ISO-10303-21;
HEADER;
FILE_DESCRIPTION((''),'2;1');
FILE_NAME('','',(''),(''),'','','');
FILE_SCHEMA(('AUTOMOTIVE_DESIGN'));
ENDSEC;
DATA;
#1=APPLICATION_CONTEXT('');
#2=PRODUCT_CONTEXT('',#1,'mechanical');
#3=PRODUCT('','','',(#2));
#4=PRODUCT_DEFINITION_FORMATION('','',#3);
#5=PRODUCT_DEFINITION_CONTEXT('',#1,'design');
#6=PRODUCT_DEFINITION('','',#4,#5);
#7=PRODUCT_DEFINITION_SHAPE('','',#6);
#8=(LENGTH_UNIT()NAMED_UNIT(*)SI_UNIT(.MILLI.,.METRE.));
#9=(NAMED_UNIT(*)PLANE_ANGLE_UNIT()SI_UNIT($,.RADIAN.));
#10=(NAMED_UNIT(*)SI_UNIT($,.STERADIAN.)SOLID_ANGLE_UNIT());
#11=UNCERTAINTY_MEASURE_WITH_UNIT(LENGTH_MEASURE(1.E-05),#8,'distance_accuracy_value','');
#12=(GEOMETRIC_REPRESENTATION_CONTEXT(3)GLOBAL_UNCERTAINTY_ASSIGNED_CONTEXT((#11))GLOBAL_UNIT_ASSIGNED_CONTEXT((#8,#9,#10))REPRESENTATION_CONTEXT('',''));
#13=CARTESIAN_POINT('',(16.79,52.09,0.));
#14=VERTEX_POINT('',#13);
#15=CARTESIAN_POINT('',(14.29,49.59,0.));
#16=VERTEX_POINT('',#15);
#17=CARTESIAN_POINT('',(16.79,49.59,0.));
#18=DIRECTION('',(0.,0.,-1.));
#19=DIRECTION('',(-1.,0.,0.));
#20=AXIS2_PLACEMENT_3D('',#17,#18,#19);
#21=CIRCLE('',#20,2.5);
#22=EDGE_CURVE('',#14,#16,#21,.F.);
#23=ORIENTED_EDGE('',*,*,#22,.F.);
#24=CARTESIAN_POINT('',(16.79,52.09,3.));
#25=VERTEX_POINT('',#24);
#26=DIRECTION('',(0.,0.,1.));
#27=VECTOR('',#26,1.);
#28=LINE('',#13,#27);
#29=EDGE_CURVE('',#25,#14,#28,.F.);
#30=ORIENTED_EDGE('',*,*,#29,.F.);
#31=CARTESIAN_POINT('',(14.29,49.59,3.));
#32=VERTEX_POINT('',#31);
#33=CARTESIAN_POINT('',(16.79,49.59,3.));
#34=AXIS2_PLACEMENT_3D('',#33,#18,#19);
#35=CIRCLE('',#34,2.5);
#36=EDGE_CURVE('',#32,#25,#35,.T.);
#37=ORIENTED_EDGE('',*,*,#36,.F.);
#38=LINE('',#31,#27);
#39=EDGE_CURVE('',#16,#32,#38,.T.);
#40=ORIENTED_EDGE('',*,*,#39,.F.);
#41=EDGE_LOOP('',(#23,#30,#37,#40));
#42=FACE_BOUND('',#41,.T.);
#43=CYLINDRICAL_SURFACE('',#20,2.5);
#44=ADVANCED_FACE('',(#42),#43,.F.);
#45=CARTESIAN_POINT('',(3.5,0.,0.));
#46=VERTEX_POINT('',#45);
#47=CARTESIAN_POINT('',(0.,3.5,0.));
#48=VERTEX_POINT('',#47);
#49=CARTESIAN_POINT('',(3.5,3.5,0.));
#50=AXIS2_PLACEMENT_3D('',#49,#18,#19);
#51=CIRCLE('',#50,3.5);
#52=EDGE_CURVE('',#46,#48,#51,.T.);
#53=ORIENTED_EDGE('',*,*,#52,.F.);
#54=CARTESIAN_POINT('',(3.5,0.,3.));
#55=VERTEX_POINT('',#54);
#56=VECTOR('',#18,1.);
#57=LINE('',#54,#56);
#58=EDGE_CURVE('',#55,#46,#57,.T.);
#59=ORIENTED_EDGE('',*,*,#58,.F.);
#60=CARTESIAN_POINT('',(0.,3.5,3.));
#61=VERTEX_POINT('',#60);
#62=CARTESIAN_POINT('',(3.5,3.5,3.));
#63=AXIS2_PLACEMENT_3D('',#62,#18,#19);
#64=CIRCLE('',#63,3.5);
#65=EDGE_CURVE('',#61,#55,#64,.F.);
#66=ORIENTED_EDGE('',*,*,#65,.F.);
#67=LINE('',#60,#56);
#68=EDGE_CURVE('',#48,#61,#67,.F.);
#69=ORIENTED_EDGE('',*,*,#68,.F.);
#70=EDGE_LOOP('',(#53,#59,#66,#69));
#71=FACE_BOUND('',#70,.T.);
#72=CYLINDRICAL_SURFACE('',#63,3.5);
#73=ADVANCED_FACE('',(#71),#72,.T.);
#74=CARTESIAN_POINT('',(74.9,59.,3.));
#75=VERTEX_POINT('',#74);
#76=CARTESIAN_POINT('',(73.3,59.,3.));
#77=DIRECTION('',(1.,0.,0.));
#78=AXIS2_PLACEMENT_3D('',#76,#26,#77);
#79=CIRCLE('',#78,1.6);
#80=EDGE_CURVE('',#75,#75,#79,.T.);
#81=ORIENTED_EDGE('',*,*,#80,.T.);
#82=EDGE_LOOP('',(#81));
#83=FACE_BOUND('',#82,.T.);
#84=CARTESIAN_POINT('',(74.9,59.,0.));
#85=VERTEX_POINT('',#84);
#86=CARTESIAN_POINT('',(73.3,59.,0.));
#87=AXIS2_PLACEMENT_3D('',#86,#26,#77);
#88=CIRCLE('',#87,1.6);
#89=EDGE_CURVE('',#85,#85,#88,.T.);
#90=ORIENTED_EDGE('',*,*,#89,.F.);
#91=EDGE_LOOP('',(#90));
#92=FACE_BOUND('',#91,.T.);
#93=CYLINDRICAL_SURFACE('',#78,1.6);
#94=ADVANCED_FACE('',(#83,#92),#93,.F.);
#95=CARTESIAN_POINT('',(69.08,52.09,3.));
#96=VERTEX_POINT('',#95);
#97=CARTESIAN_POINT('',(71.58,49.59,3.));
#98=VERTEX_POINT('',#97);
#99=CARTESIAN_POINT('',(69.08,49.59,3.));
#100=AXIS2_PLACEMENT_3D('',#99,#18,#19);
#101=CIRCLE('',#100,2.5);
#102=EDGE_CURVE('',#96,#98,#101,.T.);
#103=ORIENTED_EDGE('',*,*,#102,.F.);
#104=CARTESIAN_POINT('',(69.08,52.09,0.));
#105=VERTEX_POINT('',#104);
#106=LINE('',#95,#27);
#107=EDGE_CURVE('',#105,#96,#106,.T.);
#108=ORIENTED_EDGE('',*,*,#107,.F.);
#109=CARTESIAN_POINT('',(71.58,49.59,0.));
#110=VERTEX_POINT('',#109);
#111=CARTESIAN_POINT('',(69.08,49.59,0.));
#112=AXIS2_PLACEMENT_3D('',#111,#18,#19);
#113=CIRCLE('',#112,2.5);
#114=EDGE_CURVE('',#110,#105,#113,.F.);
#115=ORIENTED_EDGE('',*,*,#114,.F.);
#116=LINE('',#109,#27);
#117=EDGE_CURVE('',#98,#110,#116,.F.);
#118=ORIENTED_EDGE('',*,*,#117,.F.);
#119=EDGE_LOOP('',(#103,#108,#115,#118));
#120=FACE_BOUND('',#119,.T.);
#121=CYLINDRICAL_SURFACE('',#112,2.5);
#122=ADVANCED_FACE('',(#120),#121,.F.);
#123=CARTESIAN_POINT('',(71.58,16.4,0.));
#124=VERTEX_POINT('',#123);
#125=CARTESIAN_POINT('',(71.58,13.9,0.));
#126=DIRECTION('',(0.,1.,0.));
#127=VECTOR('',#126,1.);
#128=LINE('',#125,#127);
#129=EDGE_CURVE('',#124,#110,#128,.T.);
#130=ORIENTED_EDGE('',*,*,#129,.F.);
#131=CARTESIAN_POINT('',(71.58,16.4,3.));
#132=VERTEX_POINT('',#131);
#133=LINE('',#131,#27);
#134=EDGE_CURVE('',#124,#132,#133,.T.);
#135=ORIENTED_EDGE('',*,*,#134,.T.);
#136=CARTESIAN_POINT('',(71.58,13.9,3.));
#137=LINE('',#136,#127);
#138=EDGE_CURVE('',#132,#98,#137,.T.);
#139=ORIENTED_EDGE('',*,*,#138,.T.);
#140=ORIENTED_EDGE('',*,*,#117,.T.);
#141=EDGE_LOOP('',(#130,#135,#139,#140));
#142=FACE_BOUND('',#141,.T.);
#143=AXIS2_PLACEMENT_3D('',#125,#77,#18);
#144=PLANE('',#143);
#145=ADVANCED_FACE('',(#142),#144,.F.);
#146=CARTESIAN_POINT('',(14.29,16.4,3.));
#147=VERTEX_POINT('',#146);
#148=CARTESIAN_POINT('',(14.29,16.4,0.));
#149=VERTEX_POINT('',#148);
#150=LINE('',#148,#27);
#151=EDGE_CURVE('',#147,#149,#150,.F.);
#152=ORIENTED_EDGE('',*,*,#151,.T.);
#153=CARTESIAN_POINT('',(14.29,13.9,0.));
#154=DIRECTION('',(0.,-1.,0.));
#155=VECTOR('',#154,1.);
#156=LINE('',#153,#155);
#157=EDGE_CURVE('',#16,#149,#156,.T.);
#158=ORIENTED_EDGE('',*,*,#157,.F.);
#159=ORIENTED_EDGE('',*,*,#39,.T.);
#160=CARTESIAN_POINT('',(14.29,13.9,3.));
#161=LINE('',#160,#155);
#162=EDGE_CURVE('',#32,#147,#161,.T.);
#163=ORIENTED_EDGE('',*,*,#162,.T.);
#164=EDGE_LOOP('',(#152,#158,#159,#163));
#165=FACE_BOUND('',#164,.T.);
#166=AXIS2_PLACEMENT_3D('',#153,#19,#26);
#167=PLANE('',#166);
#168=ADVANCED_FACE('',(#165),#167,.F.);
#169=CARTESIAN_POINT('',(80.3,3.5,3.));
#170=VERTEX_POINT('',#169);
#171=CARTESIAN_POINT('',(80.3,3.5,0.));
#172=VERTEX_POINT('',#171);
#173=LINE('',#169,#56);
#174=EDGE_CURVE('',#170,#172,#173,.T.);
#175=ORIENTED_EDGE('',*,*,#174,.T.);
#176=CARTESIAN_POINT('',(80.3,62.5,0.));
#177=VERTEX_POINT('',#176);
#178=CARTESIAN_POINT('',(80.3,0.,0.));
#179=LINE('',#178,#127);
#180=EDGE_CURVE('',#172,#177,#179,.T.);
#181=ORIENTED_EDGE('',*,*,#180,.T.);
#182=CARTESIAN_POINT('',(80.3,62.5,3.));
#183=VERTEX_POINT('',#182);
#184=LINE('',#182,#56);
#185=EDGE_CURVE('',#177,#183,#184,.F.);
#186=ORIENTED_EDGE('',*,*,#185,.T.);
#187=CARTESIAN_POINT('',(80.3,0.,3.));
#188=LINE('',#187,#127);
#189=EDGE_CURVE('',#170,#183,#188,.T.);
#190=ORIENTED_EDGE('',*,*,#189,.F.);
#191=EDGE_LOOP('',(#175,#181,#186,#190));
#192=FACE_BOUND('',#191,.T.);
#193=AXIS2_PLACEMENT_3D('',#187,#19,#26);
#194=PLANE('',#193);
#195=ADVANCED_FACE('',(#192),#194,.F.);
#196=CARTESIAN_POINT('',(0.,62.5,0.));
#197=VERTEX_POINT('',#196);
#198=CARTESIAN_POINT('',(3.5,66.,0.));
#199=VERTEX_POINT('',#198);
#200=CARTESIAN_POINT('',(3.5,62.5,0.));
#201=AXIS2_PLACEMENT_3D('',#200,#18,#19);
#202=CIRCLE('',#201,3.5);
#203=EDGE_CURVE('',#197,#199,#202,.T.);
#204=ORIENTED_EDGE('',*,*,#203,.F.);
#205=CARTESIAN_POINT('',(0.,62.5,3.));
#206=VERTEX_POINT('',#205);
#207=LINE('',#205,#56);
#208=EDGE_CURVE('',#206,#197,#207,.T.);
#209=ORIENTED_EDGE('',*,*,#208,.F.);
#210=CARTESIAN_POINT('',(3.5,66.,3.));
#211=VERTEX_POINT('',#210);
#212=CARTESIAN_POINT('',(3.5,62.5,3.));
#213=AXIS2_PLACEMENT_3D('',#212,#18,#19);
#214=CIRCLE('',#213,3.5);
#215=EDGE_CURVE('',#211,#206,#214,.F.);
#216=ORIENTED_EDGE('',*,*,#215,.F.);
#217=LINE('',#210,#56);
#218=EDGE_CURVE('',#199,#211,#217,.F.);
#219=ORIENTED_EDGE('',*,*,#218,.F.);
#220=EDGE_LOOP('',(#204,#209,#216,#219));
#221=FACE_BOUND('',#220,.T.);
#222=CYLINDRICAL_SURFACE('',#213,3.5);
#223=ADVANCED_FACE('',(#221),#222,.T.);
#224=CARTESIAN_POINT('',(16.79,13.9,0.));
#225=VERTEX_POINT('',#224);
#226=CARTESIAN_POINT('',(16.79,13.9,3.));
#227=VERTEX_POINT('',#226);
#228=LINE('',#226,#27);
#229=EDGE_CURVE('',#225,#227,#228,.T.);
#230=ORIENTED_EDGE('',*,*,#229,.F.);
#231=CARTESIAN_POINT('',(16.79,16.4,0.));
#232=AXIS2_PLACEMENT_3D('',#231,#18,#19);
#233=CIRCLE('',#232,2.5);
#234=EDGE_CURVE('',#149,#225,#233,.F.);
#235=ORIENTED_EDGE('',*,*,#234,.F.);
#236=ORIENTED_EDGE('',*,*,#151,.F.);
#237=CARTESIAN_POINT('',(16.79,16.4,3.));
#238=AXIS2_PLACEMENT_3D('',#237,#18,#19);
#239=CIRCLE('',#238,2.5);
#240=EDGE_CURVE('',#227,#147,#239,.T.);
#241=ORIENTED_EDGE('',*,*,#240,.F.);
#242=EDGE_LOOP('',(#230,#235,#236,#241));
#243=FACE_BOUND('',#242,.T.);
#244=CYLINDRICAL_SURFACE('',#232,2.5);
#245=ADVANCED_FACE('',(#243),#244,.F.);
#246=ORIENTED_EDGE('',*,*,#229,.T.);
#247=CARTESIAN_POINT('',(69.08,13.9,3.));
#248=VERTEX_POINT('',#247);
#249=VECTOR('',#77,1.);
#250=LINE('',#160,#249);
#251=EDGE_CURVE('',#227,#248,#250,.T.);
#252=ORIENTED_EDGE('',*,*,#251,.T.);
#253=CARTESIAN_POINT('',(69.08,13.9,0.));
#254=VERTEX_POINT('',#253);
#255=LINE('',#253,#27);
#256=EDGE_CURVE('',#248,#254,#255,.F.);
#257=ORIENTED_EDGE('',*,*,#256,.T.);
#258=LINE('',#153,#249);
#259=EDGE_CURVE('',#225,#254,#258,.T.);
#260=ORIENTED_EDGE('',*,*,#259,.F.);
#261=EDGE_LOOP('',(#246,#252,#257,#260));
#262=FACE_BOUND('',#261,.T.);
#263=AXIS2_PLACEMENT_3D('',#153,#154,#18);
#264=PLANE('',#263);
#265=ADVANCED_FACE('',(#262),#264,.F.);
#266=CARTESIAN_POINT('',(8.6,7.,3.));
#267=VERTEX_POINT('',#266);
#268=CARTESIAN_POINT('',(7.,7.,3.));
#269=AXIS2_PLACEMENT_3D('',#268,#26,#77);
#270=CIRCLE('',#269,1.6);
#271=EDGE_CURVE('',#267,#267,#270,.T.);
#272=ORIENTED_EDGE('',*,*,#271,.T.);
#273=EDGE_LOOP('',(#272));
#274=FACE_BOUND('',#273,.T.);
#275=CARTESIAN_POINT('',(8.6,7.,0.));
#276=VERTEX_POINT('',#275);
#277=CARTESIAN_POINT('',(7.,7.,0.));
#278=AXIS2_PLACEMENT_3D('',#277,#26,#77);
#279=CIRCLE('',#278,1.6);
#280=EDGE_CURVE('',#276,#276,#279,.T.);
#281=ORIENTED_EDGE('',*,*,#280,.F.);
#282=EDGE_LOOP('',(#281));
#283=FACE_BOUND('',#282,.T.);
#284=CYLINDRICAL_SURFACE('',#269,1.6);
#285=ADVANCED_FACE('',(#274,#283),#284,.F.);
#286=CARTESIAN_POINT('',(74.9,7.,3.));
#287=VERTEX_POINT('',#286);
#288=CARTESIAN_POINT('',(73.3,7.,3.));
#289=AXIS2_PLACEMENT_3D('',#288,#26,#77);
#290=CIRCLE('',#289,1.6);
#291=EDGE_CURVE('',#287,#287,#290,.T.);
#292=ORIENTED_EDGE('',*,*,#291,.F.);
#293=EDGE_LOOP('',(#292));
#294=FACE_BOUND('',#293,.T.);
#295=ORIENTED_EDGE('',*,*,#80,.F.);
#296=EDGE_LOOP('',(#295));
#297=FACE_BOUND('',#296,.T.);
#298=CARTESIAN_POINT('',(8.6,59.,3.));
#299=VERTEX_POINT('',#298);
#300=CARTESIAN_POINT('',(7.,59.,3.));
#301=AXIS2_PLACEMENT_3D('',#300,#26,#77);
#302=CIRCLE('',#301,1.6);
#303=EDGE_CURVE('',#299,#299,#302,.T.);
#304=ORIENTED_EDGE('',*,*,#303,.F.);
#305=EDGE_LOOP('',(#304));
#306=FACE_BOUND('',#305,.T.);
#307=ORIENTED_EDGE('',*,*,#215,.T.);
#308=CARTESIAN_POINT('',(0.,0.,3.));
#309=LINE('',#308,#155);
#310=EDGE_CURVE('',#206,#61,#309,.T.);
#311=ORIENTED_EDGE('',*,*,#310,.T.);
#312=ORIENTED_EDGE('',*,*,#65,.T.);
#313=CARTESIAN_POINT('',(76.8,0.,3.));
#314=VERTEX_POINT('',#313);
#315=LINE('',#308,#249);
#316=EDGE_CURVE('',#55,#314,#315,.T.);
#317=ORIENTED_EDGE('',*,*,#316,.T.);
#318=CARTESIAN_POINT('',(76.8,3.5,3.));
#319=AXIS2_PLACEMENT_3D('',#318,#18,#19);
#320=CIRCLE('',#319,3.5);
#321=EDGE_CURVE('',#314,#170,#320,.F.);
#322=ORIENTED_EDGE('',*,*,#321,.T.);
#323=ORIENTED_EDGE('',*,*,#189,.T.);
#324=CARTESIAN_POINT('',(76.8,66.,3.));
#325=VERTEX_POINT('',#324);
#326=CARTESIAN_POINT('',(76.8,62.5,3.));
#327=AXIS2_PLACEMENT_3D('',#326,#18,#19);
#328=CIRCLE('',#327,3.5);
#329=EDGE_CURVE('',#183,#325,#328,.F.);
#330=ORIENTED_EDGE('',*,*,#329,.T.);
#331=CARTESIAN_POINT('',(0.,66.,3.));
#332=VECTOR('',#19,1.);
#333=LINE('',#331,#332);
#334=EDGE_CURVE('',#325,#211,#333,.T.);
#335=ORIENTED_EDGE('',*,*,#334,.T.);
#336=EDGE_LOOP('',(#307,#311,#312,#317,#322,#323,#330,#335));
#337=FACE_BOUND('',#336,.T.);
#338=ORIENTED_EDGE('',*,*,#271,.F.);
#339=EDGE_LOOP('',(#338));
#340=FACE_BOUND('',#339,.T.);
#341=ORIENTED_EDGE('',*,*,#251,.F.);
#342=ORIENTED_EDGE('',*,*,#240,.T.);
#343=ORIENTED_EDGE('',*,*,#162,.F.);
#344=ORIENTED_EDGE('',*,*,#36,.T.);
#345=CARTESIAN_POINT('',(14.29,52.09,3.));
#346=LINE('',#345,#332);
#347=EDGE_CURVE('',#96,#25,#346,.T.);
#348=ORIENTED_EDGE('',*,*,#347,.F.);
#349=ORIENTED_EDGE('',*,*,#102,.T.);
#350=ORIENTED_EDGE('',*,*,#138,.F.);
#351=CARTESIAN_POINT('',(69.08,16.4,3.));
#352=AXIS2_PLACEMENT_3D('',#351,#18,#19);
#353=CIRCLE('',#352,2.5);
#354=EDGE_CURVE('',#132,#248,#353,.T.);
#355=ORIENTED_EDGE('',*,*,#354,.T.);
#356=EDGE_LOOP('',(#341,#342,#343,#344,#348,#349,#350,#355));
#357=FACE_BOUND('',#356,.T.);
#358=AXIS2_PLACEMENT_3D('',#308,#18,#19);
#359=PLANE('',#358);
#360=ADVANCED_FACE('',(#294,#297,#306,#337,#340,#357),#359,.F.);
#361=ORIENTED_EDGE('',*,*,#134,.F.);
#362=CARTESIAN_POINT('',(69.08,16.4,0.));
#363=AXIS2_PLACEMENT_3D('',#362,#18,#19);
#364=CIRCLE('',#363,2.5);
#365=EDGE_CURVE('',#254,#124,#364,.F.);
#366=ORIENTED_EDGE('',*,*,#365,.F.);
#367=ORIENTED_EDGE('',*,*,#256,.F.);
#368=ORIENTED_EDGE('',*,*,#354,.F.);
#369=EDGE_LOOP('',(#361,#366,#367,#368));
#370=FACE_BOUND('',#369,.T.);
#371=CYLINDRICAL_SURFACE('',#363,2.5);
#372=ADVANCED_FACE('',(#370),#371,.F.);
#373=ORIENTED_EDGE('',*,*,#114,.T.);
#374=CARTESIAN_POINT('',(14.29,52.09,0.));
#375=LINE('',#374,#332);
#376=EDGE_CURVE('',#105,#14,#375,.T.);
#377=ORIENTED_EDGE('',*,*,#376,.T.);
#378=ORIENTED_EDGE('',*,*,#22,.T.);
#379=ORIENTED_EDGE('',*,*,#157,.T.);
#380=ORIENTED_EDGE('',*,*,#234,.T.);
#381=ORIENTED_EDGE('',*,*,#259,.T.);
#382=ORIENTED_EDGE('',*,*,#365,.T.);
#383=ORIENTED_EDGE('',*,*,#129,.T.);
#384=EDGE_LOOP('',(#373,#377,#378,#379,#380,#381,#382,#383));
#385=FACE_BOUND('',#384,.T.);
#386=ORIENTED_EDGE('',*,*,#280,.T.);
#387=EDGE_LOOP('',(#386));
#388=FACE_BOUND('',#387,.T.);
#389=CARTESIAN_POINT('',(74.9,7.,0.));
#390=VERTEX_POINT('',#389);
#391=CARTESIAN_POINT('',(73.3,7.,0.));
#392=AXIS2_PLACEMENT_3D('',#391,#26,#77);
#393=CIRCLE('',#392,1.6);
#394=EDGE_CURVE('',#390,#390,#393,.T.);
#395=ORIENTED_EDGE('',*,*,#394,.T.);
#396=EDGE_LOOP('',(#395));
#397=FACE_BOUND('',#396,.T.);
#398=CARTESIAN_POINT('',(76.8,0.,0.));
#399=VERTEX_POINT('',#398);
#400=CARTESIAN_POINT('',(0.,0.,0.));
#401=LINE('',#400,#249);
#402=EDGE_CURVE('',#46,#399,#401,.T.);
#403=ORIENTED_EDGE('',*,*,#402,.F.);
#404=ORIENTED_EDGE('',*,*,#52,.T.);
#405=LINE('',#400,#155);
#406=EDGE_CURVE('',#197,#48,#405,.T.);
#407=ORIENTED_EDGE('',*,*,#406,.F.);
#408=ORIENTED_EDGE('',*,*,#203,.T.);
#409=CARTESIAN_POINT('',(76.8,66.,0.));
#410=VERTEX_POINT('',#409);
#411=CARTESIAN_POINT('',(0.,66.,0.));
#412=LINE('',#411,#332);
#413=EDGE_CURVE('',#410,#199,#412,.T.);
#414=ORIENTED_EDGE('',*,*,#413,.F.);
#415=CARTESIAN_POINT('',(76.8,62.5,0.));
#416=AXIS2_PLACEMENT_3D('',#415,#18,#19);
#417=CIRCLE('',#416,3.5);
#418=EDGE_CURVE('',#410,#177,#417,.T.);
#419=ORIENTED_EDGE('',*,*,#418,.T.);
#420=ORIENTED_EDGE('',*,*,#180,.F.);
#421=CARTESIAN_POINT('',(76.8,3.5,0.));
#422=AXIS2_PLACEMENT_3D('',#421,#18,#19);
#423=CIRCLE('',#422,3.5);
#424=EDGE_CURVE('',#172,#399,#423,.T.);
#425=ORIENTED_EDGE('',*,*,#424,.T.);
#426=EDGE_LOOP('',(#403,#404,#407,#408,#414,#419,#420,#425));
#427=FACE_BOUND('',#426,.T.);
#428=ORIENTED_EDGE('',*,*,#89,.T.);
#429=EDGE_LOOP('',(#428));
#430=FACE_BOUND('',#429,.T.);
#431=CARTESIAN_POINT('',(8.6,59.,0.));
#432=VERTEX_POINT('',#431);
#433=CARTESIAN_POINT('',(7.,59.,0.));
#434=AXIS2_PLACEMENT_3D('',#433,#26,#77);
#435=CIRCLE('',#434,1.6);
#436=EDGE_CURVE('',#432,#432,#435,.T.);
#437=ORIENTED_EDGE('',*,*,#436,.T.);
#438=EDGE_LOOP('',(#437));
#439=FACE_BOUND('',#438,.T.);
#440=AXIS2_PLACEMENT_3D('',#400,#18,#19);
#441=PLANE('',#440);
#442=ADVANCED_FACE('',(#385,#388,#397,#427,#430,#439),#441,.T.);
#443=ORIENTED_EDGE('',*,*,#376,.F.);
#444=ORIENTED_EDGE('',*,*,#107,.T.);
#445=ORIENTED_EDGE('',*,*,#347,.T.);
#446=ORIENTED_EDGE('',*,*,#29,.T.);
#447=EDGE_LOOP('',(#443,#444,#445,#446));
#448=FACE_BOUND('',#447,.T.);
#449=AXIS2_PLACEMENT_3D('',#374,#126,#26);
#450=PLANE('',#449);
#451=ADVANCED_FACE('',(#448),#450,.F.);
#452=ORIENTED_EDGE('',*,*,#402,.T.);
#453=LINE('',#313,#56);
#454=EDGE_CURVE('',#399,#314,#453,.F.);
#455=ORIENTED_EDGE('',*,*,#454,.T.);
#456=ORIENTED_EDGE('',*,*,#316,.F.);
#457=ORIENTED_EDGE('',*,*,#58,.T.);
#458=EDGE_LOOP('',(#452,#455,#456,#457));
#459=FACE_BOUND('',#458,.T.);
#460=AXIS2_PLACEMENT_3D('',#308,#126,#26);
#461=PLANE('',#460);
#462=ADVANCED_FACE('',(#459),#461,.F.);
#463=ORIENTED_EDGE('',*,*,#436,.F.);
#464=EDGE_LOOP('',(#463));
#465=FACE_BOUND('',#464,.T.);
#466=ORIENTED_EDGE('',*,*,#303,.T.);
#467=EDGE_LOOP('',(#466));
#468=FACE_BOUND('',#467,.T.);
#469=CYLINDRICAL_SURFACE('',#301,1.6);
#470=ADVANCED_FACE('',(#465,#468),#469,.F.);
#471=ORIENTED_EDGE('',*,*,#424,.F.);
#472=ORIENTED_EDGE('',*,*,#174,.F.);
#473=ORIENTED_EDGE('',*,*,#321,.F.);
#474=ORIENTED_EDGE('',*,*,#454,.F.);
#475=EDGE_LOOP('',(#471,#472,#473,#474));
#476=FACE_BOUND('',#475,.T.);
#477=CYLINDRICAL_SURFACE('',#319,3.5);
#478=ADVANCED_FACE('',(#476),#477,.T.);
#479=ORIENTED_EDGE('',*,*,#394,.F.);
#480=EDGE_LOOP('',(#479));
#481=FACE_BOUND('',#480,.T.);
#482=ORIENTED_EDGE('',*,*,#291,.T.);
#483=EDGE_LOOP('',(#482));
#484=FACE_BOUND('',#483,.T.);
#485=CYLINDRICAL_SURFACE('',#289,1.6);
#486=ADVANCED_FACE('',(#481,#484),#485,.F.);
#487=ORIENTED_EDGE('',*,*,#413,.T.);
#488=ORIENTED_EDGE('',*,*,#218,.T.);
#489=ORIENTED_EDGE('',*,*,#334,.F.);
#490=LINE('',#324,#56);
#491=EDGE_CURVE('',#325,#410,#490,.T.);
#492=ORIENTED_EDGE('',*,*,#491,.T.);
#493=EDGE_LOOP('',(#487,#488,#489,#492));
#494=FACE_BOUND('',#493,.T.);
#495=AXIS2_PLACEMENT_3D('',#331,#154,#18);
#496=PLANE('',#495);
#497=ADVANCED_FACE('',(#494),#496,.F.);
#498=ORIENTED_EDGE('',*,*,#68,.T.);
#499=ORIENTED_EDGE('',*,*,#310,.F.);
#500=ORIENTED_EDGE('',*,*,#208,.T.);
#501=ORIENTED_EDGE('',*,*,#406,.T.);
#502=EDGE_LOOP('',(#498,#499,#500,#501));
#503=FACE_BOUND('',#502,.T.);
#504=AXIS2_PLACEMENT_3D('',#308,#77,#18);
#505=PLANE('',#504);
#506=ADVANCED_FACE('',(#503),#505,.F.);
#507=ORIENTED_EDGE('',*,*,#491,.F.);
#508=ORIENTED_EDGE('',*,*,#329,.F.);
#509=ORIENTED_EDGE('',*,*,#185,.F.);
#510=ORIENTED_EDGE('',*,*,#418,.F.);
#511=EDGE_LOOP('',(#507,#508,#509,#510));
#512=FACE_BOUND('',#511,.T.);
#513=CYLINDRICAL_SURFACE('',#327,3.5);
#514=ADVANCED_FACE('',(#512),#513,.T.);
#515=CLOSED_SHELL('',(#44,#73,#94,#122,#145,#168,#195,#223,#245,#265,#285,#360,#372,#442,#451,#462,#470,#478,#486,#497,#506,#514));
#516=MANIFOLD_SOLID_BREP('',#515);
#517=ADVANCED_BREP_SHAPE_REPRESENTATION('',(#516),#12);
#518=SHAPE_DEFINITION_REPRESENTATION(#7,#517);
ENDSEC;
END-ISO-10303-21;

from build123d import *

# Parameters (mm, degrees)
SKETCH1_W                  = 80.3
SKETCH1_H                  = 66
BOSS_EXTRUDE1_DEPTH        = 3
F_3_2_3_2_DIAMETER_HOLE1_D = 3.2
SKETCH2_W                  = 57.29
SKETCH2_H                  = 38.19
CUT_EXTRUDE1_DEPTH         = 4
FILLET1_R                  = 3.5
FILLET2_R                  = 2.5


with BuildPart() as part:
    # Sketch1 → Boss-Extrude1 (new body)
    with BuildSketch(Plane.XY):
        with Locations((40.15, 33)):
            Rectangle(SKETCH1_W, SKETCH1_H)
    extrude(amount=BOSS_EXTRUDE1_DEPTH)

    # Ø3.2 (3.2) Diameter Hole1 (through all)
    with Locations(Plane.XY.offset(3)):
        with Locations((7, 59), (73.3, 59), (73.3, 7), (7, 7)):
            Hole(F_3_2_3_2_DIAMETER_HOLE1_D / 2)

    # Sketch2 → Cut-Extrude1 (cut, through all)
    with BuildSketch(Plane.XY.offset(3)):
        with Locations((42.935, 32.995)):
            Rectangle(SKETCH2_W, SKETCH2_H)
    extrude(amount=-CUT_EXTRUDE1_DEPTH, mode=Mode.SUBTRACT)

    # Fillet1
    fillet1_edges = [part.edges().sort_by_distance(p)[0] for p in [
        (0, 66, 1.5),
        (80.3, 66, 1.5),
        (80.3, 0, 1.5),
        (0, 0, 1.5),
    ]]
    fillet(fillet1_edges, radius=FILLET1_R)

    # Fillet2
    fillet2_edges = [part.edges().sort_by_distance(p)[0] for p in [
        (14.29, 13.9, 1.5),
        (14.29, 52.09, 1.5),
        (71.58, 52.09, 1.5),
        (71.58, 13.9, 1.5),
    ]]
    fillet(fillet2_edges, radius=FILLET2_R)


solid = part.part
